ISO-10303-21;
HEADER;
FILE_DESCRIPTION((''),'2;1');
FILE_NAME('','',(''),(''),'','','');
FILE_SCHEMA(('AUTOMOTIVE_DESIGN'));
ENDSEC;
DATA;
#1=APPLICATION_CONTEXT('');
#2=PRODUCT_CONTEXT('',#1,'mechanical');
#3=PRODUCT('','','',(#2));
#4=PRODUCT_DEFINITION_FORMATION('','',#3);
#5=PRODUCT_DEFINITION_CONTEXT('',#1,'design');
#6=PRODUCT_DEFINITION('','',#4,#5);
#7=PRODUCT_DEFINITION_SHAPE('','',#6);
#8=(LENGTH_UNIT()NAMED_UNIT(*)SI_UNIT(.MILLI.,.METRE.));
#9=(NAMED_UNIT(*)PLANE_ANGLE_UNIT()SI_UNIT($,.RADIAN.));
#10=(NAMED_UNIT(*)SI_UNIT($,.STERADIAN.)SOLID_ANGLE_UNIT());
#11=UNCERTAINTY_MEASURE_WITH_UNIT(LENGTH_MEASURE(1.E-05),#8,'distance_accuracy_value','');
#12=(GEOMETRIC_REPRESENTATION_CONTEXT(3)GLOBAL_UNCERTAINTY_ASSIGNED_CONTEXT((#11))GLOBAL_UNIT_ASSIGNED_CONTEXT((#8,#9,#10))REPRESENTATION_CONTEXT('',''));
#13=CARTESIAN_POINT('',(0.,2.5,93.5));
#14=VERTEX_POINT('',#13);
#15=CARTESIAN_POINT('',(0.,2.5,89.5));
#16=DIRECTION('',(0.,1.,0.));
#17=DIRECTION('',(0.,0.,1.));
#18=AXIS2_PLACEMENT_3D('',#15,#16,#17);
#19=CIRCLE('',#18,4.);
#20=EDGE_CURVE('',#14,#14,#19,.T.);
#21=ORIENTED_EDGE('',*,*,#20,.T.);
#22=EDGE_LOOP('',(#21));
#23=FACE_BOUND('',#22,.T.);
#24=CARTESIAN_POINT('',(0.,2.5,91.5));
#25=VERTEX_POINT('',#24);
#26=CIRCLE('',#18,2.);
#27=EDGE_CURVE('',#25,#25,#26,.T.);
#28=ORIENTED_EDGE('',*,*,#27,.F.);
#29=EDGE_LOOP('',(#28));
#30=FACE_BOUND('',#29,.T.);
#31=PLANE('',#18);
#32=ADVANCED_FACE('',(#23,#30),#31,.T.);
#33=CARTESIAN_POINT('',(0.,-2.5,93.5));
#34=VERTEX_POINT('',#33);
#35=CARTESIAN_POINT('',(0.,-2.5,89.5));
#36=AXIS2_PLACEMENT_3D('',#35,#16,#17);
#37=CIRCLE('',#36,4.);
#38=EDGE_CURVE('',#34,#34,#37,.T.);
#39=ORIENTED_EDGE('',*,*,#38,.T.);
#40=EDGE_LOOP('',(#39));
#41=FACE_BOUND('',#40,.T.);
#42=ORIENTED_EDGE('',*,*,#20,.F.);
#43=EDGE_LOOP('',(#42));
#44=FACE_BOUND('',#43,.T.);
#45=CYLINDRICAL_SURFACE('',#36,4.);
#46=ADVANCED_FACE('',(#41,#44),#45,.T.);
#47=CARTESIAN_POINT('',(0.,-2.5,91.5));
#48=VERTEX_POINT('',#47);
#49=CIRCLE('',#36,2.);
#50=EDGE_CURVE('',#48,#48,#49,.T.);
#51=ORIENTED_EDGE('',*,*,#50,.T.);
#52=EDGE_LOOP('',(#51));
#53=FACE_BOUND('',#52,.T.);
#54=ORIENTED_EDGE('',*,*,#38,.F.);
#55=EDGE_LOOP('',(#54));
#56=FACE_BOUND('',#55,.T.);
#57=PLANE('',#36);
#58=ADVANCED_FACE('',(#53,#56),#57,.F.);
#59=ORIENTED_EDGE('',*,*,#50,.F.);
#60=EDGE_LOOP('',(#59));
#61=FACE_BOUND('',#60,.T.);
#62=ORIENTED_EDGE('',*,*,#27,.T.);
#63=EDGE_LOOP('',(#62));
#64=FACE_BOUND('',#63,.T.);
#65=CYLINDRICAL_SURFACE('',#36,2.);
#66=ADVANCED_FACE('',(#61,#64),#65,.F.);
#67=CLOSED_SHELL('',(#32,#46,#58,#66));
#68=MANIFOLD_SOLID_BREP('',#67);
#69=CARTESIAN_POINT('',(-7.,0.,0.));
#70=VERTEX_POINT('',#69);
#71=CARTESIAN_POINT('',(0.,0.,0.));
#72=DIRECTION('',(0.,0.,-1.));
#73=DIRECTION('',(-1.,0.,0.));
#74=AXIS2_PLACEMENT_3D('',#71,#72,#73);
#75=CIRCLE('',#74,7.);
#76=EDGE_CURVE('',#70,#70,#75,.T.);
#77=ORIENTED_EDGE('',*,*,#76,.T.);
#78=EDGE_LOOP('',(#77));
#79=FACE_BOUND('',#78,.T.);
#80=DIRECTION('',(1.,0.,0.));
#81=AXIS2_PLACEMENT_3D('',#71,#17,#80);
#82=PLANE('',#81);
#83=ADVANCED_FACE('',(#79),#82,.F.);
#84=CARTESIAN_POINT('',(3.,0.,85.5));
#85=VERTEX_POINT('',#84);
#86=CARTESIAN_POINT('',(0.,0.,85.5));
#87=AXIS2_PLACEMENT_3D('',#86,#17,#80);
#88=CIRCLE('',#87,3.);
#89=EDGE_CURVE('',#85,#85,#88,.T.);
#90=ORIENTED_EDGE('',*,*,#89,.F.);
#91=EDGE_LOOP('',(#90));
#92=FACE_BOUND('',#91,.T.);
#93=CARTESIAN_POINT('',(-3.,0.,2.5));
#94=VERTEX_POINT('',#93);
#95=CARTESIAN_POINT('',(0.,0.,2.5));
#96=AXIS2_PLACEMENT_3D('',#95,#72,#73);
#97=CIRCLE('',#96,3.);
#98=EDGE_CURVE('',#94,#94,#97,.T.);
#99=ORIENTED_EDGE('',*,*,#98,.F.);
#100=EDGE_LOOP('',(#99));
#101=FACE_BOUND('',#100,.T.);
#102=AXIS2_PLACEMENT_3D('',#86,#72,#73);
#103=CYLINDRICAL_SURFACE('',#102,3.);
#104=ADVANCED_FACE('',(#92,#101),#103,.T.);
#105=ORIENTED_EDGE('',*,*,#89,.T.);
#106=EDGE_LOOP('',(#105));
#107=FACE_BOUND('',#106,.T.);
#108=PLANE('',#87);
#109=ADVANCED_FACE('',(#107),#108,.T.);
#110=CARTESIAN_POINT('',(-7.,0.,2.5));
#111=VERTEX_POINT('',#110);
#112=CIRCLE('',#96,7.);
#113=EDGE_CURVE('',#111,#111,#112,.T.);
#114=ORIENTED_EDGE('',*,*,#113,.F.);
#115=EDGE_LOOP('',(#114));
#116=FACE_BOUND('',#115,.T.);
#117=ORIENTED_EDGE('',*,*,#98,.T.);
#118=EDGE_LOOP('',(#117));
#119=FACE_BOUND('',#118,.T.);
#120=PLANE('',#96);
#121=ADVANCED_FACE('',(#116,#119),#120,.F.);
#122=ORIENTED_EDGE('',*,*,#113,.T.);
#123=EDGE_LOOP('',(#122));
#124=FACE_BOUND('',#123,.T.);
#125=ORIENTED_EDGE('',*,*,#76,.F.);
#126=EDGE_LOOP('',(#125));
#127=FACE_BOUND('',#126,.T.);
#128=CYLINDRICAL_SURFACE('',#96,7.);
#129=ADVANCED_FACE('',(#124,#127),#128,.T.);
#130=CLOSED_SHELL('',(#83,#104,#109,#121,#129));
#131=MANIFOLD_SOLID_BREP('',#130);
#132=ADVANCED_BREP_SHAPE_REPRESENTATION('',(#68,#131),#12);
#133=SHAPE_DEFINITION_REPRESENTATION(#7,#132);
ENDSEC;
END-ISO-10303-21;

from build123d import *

# Parameters (mm, degrees)
SKETCH1_R                = 3
BOSS_EXTRUDE1_DEPTH      = 85.5
BOSS_EXTRUDE2_DEPTH      = 2.5
BOSS_EXTRUDE2_DEPTH_BACK = 2.5
SKETCH2_R                = 4
SKETCH2_R_2              = 2
SKETCH3_R                = 7
BOSS_EXTRUDE3_DEPTH      = 2.5


with BuildPart() as part:
    # Sketch1 → Boss-Extrude1 (new body)
    with BuildSketch(Plane.XY):
        Circle(SKETCH1_R)
    extrude(amount=BOSS_EXTRUDE1_DEPTH)

    # Sketch3 → Boss-Extrude3 (add)
    with BuildSketch(Plane(origin=(0, 0, 0), x_dir=(-1, 0, 0), z_dir=(0, 0, -1))):
        Circle(SKETCH3_R)
    extrude(amount=-BOSS_EXTRUDE3_DEPTH)


with BuildPart() as body_2:
    # Sketch2 → Boss-Extrude2 (new, two sides: drawn at the far end of the back side and taken through both)
    with BuildSketch(Plane(origin=(0, 0, 0), x_dir=(1, 0, 0), z_dir=(0, 1, 0)).offset(-BOSS_EXTRUDE2_DEPTH_BACK)):
        with Locations((0, -89.5)):
            Circle(SKETCH2_R)
        with Locations((0, -89.5)):
            Circle(SKETCH2_R_2, mode=Mode.SUBTRACT)
    extrude(amount=BOSS_EXTRUDE2_DEPTH + BOSS_EXTRUDE2_DEPTH_BACK)


solid = Compound([part.part, body_2.part])
